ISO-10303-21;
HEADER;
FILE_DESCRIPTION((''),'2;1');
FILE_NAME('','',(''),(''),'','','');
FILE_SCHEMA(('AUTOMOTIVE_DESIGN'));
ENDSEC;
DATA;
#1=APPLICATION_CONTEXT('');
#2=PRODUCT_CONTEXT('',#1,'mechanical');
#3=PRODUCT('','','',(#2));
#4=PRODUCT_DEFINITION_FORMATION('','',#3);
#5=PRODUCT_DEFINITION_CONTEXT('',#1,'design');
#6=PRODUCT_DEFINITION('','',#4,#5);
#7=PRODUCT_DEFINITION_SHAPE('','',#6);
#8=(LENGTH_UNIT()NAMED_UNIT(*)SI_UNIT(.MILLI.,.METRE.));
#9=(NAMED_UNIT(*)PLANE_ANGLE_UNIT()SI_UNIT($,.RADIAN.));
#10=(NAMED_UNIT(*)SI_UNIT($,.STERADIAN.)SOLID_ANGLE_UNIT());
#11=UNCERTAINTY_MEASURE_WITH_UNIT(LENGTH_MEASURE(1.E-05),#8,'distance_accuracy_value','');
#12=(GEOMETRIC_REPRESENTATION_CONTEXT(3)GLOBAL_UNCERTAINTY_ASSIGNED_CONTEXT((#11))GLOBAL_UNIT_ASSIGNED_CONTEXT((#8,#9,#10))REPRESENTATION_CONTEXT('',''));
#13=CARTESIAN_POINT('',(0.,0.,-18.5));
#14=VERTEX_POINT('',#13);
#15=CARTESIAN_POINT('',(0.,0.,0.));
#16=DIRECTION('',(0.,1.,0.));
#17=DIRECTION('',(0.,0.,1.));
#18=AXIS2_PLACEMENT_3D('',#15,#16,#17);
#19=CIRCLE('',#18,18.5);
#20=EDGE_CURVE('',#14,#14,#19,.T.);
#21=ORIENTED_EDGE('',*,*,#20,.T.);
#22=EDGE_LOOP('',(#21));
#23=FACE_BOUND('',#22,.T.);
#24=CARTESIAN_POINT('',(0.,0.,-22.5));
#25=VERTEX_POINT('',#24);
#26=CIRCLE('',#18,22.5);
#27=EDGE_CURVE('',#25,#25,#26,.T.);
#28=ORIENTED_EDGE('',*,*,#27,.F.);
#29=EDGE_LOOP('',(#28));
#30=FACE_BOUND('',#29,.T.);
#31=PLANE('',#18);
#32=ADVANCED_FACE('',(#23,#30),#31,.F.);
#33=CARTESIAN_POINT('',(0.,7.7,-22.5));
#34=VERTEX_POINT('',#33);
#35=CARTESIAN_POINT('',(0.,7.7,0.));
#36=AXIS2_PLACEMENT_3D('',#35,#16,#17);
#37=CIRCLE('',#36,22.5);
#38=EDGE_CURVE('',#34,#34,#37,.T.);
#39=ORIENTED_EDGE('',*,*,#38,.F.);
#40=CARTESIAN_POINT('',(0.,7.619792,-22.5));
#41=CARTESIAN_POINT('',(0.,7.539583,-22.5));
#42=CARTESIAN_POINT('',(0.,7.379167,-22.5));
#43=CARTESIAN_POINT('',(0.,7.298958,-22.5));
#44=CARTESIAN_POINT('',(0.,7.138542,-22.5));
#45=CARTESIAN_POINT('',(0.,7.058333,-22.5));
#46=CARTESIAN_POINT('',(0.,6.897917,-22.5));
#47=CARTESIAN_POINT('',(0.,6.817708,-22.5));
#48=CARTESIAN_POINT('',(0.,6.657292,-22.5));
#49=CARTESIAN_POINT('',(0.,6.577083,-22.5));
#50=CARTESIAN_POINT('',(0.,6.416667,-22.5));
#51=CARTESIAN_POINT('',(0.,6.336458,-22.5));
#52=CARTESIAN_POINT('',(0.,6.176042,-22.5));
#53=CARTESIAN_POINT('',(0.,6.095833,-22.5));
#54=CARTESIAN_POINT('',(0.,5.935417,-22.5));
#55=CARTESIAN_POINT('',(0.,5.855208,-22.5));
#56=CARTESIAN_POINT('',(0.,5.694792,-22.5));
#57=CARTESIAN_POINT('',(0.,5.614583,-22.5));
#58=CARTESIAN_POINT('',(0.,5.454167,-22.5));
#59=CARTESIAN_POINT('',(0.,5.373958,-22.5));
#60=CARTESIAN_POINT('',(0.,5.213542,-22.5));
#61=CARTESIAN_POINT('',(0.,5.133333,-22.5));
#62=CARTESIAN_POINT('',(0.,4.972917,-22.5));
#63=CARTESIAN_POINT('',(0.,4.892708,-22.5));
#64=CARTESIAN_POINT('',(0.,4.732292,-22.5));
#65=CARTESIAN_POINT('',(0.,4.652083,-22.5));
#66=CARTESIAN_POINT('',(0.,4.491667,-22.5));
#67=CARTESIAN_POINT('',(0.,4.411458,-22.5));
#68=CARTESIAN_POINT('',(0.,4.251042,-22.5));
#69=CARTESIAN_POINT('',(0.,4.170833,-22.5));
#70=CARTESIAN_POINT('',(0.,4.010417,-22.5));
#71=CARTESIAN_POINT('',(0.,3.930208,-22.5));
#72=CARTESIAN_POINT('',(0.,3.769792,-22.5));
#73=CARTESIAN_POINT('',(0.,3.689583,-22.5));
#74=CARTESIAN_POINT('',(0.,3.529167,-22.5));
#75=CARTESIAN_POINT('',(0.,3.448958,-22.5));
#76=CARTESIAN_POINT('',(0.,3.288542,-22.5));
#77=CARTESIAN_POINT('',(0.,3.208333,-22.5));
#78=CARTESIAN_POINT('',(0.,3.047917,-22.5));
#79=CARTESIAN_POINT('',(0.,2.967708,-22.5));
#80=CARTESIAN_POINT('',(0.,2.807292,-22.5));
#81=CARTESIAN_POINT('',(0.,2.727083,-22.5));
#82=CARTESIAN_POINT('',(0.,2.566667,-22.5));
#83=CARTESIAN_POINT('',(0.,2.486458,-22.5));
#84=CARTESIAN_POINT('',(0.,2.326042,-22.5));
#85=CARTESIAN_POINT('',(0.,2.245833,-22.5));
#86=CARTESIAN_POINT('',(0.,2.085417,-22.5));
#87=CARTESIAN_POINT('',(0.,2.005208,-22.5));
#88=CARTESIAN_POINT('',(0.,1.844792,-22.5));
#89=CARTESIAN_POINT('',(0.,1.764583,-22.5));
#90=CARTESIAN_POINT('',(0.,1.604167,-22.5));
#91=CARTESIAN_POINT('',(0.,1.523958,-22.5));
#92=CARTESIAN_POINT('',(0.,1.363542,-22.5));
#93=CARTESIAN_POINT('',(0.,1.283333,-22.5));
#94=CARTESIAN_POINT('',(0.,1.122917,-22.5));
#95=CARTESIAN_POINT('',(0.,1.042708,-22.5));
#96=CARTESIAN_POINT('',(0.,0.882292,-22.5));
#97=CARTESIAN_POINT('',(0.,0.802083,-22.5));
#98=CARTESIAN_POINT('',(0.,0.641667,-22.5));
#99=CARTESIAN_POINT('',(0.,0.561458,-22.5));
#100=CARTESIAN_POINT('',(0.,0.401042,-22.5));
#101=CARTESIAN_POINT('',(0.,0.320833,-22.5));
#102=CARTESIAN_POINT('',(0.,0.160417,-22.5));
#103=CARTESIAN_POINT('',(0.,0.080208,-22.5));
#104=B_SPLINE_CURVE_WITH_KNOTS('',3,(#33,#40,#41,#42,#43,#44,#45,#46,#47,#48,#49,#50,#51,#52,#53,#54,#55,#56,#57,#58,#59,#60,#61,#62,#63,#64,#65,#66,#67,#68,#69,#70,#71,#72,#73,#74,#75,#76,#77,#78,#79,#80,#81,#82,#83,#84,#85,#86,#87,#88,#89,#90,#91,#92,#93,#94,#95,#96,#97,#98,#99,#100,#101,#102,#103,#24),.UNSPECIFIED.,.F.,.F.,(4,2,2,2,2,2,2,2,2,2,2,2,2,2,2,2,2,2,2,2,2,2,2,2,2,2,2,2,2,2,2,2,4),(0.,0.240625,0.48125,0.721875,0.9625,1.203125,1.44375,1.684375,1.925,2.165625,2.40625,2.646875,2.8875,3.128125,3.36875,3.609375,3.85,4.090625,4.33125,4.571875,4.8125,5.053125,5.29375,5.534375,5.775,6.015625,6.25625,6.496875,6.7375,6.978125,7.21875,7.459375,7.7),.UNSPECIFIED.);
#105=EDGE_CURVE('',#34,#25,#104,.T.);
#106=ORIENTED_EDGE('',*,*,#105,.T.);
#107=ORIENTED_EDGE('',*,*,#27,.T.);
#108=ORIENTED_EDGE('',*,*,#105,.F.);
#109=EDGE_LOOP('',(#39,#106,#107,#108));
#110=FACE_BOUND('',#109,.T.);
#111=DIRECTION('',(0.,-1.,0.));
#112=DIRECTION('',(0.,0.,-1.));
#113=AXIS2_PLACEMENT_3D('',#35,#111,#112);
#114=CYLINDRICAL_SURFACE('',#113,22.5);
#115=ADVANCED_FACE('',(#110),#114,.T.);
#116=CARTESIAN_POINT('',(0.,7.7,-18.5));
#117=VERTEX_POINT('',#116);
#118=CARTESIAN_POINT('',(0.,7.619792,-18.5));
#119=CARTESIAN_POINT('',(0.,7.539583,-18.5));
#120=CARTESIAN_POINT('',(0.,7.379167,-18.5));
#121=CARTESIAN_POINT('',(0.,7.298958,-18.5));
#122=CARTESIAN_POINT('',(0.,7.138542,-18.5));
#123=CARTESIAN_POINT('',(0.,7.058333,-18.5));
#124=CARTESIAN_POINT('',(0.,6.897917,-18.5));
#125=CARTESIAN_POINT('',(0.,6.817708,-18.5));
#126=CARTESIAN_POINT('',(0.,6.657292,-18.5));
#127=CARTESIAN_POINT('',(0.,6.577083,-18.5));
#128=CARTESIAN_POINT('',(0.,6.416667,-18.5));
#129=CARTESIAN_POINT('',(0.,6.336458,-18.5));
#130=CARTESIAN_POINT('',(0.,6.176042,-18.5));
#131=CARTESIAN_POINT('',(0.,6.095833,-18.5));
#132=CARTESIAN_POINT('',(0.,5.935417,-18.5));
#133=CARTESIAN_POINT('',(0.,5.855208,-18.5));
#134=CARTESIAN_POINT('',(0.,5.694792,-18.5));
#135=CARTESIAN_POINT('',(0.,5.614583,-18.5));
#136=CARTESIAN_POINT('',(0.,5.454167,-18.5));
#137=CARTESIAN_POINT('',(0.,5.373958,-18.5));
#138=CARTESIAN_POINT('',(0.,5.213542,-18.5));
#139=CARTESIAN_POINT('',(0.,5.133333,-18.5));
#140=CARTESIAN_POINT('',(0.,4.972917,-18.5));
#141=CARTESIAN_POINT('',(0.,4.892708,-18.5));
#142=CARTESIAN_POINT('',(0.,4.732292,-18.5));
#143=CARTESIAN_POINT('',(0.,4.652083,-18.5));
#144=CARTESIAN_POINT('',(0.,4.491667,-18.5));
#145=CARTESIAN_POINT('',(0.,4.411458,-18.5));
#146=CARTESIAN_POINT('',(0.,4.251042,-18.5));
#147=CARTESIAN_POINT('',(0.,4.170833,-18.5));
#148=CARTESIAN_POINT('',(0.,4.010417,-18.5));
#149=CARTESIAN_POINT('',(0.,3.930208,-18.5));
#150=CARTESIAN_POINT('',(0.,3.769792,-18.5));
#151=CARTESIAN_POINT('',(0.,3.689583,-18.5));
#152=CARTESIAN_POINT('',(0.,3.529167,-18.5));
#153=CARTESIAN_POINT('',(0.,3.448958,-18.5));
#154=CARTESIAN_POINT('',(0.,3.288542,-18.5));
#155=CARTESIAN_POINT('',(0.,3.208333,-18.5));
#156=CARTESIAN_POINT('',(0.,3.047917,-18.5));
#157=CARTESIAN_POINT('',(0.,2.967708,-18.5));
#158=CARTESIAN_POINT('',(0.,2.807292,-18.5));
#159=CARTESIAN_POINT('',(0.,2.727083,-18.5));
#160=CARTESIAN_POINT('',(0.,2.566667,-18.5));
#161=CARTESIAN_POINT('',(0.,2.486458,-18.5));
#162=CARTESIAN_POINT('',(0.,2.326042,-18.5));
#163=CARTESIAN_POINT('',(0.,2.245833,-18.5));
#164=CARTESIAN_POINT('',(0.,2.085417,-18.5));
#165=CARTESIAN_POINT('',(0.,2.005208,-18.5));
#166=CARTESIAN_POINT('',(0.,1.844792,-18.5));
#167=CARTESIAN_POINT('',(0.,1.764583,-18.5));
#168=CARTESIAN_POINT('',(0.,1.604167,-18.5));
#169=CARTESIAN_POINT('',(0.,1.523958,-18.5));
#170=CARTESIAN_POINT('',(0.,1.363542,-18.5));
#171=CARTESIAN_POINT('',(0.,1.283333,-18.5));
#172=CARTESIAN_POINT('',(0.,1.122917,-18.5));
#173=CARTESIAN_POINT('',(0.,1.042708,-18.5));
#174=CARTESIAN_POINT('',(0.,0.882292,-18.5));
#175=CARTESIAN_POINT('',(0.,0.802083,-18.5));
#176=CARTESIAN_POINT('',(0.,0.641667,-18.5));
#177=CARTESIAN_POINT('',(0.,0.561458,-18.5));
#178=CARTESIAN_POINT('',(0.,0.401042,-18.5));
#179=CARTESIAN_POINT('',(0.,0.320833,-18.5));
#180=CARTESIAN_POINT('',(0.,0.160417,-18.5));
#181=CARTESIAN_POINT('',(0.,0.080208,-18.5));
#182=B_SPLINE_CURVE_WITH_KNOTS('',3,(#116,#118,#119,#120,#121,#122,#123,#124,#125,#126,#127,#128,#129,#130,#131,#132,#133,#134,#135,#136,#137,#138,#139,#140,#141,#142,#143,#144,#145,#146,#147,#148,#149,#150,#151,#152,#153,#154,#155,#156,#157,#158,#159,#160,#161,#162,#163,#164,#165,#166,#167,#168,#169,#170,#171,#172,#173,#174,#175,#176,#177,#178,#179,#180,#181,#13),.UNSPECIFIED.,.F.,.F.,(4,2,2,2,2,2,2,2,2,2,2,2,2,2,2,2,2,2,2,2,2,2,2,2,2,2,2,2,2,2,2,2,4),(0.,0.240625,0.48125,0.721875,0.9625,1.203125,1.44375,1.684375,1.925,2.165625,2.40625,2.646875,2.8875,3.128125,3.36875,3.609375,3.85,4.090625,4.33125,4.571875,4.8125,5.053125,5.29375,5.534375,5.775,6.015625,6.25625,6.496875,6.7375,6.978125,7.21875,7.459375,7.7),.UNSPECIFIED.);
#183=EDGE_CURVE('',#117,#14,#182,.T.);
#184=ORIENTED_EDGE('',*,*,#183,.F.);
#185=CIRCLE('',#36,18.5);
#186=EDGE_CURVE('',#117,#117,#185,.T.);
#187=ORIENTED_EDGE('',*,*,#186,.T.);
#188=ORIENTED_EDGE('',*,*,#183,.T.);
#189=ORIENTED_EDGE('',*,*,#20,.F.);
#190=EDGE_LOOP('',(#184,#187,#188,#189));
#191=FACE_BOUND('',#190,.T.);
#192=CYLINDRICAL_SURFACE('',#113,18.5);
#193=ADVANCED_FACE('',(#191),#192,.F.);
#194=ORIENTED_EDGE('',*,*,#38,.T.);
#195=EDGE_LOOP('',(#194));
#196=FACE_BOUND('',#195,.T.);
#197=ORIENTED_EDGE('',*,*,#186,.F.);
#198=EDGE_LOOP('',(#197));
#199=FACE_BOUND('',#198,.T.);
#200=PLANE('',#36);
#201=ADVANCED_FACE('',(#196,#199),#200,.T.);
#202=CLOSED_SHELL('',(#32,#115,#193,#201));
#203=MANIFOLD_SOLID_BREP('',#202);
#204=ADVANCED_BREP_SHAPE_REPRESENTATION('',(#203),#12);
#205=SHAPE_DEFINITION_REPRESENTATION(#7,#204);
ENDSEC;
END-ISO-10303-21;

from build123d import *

# Parameters (mm, degrees)
SKETCH1_R           = 22.5
SKETCH1_R_2         = 18.5
BOSS_EXTRUDE1_DEPTH = 7.7


with BuildPart() as part:
    # Sketch1 → Boss-Extrude1 (new body)
    with BuildSketch(Plane(origin=(0, 0, 0), x_dir=(1, 0, 0), z_dir=(0, 1, 0))):
        Circle(SKETCH1_R)
        Circle(SKETCH1_R_2, mode=Mode.SUBTRACT)
    extrude(amount=BOSS_EXTRUDE1_DEPTH)


solid = part.part
